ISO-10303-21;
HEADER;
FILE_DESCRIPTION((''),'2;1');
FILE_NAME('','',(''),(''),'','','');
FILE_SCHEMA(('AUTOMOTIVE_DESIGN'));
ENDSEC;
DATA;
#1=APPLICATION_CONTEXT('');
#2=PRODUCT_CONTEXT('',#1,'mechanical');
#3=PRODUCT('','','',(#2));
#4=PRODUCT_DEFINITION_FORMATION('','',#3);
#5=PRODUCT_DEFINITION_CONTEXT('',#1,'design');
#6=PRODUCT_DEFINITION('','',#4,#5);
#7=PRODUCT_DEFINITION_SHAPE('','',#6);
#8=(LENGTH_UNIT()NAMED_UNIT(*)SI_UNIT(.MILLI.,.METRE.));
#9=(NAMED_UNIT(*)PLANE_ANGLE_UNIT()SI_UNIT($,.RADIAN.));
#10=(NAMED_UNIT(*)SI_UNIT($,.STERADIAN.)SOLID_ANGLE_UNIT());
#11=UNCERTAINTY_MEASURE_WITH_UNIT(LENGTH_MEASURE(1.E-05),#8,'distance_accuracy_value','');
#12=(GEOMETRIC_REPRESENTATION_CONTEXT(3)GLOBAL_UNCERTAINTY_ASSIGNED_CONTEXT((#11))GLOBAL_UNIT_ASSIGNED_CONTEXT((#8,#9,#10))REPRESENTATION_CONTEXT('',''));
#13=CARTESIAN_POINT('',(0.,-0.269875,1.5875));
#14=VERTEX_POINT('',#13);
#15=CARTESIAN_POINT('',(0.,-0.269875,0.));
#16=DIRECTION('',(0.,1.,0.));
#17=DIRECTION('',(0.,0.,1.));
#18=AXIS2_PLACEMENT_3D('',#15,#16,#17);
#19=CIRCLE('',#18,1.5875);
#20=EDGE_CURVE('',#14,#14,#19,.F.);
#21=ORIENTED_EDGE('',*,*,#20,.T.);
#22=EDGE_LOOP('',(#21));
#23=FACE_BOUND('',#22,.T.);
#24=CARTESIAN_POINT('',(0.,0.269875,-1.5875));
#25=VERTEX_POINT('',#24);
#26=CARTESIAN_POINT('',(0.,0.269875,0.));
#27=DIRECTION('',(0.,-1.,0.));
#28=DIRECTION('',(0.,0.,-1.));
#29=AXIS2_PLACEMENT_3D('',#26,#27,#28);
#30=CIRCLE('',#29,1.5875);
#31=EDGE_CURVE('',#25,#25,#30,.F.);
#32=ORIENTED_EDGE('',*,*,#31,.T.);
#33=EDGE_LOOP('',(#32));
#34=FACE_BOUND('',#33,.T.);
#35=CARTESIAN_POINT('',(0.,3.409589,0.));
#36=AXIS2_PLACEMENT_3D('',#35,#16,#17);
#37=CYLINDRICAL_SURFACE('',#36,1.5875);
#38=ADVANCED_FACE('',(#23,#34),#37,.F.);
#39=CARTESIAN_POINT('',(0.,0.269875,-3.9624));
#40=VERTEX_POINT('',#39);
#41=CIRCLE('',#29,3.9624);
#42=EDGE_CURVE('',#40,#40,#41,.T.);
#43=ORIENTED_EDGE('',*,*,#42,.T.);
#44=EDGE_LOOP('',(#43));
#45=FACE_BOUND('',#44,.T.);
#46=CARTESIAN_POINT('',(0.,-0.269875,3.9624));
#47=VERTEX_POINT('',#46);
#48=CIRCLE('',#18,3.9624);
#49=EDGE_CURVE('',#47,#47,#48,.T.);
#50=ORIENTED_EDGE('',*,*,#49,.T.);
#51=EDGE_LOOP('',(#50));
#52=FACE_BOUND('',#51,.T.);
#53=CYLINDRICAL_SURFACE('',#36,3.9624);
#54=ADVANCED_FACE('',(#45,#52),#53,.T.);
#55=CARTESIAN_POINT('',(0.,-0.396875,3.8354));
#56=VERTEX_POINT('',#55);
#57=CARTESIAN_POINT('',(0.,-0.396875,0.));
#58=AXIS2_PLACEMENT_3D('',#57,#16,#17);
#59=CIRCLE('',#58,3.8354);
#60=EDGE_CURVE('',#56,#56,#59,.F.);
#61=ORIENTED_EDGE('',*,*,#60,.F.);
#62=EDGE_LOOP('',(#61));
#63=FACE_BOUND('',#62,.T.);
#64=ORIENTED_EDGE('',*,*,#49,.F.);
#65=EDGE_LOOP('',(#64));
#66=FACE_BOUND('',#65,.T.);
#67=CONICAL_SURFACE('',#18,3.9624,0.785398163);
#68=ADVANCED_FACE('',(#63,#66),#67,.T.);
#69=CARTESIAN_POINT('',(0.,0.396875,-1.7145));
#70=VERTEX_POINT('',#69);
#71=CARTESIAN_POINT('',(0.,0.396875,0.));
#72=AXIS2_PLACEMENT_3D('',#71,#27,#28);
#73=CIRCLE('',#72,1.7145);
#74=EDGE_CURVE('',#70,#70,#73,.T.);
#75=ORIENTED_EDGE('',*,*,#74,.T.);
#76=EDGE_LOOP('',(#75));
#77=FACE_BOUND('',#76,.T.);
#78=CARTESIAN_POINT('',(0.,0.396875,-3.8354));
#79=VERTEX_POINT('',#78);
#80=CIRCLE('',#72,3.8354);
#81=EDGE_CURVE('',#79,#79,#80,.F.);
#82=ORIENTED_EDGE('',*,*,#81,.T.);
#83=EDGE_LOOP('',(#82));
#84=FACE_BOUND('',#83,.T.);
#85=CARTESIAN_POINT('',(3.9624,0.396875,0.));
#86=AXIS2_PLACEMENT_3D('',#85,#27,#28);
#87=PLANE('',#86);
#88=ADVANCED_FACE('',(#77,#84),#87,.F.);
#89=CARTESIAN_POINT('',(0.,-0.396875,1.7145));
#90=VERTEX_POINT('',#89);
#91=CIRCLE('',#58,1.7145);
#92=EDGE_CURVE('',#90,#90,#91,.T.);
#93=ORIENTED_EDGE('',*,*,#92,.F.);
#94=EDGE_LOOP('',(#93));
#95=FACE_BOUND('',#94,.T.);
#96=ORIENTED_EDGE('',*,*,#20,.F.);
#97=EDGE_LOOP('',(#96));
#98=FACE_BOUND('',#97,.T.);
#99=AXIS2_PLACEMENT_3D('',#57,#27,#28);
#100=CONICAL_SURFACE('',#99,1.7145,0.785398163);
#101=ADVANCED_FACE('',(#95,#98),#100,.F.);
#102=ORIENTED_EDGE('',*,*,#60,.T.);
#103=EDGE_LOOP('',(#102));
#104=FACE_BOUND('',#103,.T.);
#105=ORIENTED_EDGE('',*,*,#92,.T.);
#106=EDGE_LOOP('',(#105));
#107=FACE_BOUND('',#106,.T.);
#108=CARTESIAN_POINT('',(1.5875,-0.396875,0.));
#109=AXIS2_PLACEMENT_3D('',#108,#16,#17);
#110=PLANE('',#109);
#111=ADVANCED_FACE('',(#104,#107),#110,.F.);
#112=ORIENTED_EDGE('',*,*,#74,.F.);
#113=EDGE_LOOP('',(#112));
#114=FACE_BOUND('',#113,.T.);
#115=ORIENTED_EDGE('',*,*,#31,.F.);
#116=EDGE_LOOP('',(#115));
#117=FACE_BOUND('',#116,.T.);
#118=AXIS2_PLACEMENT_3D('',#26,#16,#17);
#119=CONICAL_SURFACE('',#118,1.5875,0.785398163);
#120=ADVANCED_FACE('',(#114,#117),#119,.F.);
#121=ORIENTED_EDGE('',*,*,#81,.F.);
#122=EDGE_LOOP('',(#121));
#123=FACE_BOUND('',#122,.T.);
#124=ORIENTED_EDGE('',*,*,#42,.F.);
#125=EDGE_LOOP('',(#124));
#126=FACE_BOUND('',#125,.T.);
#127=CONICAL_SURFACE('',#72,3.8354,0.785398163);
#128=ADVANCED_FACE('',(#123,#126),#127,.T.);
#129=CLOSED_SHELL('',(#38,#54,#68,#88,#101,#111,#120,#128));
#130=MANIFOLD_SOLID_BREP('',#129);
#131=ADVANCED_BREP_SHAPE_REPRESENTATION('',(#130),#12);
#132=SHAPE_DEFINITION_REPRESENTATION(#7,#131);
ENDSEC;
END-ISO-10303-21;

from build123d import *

# Parameters (mm, degrees)
SKETCH1_W     = 2.3749
SKETCH1_H     = 0.79375
CHAMFER1_SIZE = 0.127


with BuildPart() as part:
    # Sketch1 → Revolve1 (revolve)
    with BuildSketch(Plane.XY):
        with Locations((2.77495, 0)):
            Rectangle(SKETCH1_W, SKETCH1_H)
    revolve(axis=Axis((0, 3.40958908, 0), (0, -1, 0)))

    # Chamfer1
    chamfer1_edges = [part.edges().sort_by_distance(p)[0] for p in [
        (-3.9624, 0.396875, 0),
        (-3.9624, -0.396875, 0),
        (-1.5875, -0.396875, 0),
        (-1.5875, 0.396875, 0),
    ]]
    chamfer(chamfer1_edges, length=CHAMFER1_SIZE)


solid = part.part
